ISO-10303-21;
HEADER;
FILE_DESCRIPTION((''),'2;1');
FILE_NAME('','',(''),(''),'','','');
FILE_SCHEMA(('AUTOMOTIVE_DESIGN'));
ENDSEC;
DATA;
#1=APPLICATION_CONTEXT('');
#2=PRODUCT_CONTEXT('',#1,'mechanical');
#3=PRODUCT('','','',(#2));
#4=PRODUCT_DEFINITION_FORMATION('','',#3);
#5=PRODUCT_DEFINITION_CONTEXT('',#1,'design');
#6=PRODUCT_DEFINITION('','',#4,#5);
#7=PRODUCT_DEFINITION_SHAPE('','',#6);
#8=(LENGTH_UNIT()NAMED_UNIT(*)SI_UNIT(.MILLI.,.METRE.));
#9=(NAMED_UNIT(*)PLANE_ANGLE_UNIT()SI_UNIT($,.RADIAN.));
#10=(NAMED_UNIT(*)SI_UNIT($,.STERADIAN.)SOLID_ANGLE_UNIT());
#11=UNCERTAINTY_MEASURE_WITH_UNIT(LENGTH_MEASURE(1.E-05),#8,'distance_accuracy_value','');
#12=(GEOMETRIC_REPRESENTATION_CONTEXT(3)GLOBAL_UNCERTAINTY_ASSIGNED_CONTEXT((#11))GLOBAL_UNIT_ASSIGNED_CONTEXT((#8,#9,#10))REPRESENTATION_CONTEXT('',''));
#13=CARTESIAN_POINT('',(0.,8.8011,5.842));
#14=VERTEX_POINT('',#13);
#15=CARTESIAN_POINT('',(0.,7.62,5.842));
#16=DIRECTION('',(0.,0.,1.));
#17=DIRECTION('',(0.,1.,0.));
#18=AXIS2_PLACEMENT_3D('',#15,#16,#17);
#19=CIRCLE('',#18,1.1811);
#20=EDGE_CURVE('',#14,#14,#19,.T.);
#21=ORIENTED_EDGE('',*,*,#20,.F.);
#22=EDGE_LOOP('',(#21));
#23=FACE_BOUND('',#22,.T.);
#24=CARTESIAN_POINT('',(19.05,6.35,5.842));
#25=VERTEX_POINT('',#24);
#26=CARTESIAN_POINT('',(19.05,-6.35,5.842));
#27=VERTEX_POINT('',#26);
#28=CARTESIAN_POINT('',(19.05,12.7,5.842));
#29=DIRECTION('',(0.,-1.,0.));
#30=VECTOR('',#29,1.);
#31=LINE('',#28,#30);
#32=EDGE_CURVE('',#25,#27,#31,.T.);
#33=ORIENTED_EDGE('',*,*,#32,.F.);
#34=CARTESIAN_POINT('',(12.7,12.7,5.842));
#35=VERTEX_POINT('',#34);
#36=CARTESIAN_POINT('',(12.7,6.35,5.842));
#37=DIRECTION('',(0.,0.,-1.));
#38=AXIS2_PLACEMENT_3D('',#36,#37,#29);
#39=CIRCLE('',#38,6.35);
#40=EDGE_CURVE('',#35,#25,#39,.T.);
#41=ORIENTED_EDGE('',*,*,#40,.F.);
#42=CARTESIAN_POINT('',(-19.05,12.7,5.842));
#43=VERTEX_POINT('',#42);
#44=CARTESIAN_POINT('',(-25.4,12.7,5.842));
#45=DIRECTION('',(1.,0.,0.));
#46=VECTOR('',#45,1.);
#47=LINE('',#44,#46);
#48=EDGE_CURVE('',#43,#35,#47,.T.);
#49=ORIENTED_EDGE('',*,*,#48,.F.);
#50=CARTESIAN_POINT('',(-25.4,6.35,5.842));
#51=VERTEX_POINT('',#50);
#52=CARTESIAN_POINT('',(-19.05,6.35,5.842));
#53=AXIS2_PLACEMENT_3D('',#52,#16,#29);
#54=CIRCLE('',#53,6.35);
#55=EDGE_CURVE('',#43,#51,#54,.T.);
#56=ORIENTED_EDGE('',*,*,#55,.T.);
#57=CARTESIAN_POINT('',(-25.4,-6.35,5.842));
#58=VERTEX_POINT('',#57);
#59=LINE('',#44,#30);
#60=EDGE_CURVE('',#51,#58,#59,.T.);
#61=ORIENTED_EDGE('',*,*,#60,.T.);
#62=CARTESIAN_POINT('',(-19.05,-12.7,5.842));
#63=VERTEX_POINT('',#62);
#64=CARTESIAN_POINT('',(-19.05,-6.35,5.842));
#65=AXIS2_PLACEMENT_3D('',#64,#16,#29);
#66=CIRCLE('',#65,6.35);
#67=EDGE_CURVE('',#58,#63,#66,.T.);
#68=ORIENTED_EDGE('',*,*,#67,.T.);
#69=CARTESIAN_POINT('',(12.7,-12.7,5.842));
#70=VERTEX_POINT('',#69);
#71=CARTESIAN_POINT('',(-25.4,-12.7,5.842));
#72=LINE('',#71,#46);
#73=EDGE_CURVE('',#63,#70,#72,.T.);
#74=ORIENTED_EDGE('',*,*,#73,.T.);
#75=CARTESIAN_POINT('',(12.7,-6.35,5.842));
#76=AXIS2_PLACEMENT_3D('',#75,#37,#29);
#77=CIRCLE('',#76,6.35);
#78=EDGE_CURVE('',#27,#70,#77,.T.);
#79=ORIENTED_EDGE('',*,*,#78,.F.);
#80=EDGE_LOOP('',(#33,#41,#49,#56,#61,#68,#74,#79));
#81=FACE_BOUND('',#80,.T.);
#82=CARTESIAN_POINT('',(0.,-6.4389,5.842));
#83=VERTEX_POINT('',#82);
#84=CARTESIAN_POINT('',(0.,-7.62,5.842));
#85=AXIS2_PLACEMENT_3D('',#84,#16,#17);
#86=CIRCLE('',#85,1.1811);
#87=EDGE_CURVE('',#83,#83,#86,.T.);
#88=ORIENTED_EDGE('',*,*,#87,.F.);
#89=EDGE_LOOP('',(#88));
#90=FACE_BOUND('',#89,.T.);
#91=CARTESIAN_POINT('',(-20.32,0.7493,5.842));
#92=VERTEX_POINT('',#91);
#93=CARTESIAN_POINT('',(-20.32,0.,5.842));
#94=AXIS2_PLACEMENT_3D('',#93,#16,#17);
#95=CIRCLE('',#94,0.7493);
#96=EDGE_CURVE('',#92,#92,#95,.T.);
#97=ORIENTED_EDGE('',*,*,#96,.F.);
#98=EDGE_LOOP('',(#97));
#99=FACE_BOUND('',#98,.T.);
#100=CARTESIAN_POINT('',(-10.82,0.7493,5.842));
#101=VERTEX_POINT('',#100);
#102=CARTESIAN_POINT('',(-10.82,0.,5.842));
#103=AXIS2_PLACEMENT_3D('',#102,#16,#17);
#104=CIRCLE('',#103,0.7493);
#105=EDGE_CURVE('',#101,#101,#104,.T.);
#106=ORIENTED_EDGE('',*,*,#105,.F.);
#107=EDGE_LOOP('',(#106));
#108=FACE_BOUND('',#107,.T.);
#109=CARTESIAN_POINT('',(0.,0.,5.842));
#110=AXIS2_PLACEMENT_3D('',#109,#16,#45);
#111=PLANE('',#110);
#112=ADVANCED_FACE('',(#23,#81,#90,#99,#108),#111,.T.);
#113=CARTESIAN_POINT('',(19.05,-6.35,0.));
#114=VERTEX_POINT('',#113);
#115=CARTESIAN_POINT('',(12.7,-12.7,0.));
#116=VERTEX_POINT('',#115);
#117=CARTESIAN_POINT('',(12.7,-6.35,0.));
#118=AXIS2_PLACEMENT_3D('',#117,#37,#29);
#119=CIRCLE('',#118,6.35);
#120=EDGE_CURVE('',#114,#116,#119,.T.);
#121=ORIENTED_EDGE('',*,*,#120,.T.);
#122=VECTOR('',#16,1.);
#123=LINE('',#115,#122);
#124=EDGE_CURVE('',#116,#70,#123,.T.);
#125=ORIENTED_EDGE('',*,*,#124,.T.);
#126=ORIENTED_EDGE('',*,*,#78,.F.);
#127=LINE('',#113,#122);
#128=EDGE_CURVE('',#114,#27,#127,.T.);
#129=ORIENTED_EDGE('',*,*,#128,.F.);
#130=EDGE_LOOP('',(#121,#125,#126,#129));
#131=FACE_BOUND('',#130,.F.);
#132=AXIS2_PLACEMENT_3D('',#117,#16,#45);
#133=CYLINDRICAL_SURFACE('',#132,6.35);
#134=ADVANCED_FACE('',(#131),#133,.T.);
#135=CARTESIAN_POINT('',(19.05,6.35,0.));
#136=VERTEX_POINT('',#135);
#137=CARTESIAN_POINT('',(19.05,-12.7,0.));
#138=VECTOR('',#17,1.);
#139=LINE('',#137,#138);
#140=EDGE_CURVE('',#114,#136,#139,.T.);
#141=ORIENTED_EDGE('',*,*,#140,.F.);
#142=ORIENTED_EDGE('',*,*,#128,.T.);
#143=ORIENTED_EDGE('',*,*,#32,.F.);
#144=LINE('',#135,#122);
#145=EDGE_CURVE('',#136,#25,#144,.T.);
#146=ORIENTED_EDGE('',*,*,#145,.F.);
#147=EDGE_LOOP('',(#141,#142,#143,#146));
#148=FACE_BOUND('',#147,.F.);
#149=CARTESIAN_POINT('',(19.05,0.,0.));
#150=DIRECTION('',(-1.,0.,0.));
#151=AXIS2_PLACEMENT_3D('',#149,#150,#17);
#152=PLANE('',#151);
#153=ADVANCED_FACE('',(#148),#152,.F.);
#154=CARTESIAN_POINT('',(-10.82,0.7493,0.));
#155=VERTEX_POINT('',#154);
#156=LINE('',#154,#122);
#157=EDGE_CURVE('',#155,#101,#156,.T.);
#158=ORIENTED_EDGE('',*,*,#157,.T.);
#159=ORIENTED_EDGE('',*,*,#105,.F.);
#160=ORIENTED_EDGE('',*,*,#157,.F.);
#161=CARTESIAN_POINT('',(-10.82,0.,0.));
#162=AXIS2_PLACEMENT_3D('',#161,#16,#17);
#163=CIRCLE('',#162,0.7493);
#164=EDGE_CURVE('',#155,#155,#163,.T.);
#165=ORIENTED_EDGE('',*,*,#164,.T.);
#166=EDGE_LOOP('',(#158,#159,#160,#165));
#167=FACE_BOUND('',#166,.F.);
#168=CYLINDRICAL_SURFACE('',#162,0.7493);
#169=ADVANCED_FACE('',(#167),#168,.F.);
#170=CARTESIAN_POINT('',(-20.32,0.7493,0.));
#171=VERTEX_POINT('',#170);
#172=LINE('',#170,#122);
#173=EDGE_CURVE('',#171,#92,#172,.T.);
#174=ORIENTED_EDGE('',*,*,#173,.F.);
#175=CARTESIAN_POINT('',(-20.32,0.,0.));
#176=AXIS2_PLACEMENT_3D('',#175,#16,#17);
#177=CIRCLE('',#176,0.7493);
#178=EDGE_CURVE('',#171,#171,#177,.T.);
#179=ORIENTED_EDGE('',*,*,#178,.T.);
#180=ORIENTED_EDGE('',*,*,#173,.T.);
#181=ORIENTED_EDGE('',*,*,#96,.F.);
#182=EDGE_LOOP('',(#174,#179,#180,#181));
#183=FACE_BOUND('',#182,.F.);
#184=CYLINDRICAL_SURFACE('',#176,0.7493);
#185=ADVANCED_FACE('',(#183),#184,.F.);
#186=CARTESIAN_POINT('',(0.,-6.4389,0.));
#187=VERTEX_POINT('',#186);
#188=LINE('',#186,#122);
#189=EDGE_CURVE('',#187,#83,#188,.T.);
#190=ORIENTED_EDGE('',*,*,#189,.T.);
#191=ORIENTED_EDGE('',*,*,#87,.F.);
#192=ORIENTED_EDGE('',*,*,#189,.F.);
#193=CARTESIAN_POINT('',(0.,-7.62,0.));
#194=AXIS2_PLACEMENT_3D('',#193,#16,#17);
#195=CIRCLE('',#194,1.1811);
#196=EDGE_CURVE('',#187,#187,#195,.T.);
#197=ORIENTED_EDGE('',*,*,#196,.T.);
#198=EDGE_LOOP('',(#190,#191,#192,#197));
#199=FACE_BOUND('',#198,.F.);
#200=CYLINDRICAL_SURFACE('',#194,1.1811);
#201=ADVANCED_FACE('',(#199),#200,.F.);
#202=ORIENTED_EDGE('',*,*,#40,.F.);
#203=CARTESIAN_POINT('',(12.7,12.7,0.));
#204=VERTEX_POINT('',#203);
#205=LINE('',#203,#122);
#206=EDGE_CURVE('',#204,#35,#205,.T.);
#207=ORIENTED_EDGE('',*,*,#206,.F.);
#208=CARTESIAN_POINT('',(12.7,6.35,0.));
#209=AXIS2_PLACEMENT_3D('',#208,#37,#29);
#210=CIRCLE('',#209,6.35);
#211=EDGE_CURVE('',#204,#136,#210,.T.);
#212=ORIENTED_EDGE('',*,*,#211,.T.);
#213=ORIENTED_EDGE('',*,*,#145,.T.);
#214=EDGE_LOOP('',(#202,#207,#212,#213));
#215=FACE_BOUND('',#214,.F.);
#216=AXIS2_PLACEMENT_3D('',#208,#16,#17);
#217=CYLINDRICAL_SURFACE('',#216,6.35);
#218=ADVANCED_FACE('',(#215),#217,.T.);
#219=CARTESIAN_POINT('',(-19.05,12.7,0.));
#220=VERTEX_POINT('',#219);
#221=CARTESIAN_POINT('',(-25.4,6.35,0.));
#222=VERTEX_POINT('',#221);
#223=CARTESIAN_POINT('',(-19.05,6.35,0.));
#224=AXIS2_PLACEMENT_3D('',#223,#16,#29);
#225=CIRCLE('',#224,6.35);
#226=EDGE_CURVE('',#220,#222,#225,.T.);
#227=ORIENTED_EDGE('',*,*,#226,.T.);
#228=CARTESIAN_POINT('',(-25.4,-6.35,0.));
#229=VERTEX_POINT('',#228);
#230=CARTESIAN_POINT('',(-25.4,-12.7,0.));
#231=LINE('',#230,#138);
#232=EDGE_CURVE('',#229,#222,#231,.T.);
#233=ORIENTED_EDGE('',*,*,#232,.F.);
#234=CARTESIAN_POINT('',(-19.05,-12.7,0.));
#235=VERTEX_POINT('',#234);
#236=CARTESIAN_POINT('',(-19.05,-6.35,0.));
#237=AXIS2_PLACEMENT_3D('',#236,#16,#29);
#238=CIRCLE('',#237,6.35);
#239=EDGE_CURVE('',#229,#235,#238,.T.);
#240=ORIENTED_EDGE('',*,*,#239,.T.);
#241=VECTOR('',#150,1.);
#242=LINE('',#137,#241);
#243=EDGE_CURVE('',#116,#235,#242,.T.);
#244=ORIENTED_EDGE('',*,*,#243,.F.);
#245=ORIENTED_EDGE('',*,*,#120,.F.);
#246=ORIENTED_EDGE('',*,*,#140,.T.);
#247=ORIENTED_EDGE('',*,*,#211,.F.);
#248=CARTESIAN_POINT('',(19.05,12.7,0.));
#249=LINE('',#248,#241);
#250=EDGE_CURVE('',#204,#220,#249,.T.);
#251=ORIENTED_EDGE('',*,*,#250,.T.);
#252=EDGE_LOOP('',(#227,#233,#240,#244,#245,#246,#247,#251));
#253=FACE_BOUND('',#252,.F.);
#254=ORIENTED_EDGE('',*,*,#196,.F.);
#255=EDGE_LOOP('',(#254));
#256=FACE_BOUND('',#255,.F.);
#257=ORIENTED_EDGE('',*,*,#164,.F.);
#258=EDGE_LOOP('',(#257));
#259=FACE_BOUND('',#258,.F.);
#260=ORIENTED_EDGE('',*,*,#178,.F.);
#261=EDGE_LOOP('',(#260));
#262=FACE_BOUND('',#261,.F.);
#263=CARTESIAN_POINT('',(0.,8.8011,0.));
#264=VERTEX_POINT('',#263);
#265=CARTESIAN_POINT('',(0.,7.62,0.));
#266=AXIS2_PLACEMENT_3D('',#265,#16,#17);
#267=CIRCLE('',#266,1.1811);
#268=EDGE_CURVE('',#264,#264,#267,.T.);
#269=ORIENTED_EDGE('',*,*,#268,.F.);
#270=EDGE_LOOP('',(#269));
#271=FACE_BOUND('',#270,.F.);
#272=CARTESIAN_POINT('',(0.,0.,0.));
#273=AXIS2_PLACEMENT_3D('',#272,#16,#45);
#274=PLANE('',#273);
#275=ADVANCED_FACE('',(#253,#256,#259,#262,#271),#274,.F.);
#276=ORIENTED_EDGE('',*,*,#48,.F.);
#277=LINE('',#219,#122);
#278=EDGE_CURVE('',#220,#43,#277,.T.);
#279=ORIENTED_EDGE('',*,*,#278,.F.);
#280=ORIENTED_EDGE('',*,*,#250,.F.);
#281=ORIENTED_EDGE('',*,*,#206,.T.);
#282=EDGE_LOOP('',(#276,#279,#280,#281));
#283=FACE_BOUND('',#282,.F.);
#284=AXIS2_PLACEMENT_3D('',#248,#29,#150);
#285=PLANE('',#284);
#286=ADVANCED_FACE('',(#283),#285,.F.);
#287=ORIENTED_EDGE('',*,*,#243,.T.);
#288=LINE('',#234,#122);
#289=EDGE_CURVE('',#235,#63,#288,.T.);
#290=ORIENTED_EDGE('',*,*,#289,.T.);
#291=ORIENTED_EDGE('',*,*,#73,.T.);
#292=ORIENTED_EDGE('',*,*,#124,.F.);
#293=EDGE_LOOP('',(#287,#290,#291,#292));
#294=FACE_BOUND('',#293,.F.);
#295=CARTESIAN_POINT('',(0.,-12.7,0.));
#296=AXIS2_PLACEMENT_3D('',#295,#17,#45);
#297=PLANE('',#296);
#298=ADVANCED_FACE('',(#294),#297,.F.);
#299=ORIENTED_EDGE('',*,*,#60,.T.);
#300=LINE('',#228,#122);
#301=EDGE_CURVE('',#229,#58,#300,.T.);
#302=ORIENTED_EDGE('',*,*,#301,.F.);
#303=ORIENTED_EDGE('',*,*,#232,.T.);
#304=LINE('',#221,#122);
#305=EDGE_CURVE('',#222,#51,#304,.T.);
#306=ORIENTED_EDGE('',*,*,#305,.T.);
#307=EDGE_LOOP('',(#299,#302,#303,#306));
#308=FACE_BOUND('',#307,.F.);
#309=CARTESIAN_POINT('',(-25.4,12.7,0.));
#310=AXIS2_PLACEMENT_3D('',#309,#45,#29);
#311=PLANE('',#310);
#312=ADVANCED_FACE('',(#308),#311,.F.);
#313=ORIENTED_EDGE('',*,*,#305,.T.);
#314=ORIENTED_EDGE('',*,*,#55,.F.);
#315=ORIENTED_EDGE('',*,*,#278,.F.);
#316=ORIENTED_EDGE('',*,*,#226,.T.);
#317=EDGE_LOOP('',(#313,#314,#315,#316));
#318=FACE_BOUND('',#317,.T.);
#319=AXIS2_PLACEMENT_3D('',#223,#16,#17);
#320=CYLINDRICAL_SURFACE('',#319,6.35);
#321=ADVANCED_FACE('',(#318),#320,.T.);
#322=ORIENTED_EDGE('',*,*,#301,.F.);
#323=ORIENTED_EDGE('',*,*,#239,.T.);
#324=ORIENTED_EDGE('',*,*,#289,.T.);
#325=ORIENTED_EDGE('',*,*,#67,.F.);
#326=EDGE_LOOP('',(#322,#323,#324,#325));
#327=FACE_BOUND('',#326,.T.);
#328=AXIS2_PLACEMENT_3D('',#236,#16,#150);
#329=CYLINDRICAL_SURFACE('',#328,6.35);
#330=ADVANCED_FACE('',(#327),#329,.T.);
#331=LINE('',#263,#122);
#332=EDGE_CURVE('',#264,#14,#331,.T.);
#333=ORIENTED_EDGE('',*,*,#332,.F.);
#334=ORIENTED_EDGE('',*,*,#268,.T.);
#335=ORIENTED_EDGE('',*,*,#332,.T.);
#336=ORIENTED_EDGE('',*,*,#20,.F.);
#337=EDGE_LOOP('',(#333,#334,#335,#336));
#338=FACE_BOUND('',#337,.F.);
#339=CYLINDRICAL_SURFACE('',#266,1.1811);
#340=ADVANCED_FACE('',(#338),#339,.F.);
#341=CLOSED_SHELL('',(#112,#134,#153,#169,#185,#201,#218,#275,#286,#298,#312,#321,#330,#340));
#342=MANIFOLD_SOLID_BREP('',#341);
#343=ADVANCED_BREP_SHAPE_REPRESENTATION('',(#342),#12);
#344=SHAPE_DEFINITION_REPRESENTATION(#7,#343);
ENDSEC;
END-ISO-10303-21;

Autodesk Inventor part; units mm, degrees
ref_plane "YZ Plane" through (0, 0, 0) normal (1, 0, 0) x (0, 1, 0)
ref_plane "XZ Plane" through (0, 0, 0) normal (0, 1, 0) x (-1, 0, 0)
ref_plane "XY Plane" through (0, 0, 0) normal (0, 0, 1) x (1, 0, 0)
sketch "Sketch1" plane through (0, 0, 0) normal (0, 0, 1) x (1, 0, 0)
  line L0 (0, 17.78) -> (0, -17.78) projected
  line L1 (-34.29, 0) -> (27.94, 0) projected
  line L2 (-25.4, -12.7) -> (19.05, -12.7)
  line L3 (19.05, -12.7) -> (19.05, 12.7)
  line L4 (19.05, 12.7) -> (-25.4, 12.7)
  line L5 (-25.4, 12.7) -> (-25.4, -12.7)
  line L6 (-25.4, -12.7) -> (19.05, 12.7) construction
  line L7 (19.05, -12.7) -> (-25.4, 12.7) construction
  line L8 (-20.32, 0) -> (-10.82, 0) construction
  point P0 (0, 0)
  point P1 (-3.175, 0)
  point P2 (-15.57, 0)
  point P3 (0, 7.62)
  point P4 (0, -7.62)
  dimension "d0" = 44.45
  dimension "d1" = 25.4
  dimension "d3" = 19.05
  dimension "d4" = 9.5
  dimension "d5" = 0
  dimension "d6" = 7.62
  dimension "d7" = 7.62
  dimension "d25" = 5.08
extrude "Extrusion1" add sketch "Sketch1" along normal blind 5.842
hole "Hole1" at (-20.32, 0, 0) at (-10.82, 0, 0) direction (0, 0, 1) diameter 1.4986 end through all
hole "Hole2" at (0, 7.62, 0) at (0, -7.62, 0) direction (0, 0, 1) diameter 2.3622 end through all
fillet "Fillet1" radius 6.35 4 edges at (19.05, 12.7, 2.921) (-25.4, 12.7, 2.921) (-25.4, -12.7, 2.921) (19.05, -12.7, 2.921)
